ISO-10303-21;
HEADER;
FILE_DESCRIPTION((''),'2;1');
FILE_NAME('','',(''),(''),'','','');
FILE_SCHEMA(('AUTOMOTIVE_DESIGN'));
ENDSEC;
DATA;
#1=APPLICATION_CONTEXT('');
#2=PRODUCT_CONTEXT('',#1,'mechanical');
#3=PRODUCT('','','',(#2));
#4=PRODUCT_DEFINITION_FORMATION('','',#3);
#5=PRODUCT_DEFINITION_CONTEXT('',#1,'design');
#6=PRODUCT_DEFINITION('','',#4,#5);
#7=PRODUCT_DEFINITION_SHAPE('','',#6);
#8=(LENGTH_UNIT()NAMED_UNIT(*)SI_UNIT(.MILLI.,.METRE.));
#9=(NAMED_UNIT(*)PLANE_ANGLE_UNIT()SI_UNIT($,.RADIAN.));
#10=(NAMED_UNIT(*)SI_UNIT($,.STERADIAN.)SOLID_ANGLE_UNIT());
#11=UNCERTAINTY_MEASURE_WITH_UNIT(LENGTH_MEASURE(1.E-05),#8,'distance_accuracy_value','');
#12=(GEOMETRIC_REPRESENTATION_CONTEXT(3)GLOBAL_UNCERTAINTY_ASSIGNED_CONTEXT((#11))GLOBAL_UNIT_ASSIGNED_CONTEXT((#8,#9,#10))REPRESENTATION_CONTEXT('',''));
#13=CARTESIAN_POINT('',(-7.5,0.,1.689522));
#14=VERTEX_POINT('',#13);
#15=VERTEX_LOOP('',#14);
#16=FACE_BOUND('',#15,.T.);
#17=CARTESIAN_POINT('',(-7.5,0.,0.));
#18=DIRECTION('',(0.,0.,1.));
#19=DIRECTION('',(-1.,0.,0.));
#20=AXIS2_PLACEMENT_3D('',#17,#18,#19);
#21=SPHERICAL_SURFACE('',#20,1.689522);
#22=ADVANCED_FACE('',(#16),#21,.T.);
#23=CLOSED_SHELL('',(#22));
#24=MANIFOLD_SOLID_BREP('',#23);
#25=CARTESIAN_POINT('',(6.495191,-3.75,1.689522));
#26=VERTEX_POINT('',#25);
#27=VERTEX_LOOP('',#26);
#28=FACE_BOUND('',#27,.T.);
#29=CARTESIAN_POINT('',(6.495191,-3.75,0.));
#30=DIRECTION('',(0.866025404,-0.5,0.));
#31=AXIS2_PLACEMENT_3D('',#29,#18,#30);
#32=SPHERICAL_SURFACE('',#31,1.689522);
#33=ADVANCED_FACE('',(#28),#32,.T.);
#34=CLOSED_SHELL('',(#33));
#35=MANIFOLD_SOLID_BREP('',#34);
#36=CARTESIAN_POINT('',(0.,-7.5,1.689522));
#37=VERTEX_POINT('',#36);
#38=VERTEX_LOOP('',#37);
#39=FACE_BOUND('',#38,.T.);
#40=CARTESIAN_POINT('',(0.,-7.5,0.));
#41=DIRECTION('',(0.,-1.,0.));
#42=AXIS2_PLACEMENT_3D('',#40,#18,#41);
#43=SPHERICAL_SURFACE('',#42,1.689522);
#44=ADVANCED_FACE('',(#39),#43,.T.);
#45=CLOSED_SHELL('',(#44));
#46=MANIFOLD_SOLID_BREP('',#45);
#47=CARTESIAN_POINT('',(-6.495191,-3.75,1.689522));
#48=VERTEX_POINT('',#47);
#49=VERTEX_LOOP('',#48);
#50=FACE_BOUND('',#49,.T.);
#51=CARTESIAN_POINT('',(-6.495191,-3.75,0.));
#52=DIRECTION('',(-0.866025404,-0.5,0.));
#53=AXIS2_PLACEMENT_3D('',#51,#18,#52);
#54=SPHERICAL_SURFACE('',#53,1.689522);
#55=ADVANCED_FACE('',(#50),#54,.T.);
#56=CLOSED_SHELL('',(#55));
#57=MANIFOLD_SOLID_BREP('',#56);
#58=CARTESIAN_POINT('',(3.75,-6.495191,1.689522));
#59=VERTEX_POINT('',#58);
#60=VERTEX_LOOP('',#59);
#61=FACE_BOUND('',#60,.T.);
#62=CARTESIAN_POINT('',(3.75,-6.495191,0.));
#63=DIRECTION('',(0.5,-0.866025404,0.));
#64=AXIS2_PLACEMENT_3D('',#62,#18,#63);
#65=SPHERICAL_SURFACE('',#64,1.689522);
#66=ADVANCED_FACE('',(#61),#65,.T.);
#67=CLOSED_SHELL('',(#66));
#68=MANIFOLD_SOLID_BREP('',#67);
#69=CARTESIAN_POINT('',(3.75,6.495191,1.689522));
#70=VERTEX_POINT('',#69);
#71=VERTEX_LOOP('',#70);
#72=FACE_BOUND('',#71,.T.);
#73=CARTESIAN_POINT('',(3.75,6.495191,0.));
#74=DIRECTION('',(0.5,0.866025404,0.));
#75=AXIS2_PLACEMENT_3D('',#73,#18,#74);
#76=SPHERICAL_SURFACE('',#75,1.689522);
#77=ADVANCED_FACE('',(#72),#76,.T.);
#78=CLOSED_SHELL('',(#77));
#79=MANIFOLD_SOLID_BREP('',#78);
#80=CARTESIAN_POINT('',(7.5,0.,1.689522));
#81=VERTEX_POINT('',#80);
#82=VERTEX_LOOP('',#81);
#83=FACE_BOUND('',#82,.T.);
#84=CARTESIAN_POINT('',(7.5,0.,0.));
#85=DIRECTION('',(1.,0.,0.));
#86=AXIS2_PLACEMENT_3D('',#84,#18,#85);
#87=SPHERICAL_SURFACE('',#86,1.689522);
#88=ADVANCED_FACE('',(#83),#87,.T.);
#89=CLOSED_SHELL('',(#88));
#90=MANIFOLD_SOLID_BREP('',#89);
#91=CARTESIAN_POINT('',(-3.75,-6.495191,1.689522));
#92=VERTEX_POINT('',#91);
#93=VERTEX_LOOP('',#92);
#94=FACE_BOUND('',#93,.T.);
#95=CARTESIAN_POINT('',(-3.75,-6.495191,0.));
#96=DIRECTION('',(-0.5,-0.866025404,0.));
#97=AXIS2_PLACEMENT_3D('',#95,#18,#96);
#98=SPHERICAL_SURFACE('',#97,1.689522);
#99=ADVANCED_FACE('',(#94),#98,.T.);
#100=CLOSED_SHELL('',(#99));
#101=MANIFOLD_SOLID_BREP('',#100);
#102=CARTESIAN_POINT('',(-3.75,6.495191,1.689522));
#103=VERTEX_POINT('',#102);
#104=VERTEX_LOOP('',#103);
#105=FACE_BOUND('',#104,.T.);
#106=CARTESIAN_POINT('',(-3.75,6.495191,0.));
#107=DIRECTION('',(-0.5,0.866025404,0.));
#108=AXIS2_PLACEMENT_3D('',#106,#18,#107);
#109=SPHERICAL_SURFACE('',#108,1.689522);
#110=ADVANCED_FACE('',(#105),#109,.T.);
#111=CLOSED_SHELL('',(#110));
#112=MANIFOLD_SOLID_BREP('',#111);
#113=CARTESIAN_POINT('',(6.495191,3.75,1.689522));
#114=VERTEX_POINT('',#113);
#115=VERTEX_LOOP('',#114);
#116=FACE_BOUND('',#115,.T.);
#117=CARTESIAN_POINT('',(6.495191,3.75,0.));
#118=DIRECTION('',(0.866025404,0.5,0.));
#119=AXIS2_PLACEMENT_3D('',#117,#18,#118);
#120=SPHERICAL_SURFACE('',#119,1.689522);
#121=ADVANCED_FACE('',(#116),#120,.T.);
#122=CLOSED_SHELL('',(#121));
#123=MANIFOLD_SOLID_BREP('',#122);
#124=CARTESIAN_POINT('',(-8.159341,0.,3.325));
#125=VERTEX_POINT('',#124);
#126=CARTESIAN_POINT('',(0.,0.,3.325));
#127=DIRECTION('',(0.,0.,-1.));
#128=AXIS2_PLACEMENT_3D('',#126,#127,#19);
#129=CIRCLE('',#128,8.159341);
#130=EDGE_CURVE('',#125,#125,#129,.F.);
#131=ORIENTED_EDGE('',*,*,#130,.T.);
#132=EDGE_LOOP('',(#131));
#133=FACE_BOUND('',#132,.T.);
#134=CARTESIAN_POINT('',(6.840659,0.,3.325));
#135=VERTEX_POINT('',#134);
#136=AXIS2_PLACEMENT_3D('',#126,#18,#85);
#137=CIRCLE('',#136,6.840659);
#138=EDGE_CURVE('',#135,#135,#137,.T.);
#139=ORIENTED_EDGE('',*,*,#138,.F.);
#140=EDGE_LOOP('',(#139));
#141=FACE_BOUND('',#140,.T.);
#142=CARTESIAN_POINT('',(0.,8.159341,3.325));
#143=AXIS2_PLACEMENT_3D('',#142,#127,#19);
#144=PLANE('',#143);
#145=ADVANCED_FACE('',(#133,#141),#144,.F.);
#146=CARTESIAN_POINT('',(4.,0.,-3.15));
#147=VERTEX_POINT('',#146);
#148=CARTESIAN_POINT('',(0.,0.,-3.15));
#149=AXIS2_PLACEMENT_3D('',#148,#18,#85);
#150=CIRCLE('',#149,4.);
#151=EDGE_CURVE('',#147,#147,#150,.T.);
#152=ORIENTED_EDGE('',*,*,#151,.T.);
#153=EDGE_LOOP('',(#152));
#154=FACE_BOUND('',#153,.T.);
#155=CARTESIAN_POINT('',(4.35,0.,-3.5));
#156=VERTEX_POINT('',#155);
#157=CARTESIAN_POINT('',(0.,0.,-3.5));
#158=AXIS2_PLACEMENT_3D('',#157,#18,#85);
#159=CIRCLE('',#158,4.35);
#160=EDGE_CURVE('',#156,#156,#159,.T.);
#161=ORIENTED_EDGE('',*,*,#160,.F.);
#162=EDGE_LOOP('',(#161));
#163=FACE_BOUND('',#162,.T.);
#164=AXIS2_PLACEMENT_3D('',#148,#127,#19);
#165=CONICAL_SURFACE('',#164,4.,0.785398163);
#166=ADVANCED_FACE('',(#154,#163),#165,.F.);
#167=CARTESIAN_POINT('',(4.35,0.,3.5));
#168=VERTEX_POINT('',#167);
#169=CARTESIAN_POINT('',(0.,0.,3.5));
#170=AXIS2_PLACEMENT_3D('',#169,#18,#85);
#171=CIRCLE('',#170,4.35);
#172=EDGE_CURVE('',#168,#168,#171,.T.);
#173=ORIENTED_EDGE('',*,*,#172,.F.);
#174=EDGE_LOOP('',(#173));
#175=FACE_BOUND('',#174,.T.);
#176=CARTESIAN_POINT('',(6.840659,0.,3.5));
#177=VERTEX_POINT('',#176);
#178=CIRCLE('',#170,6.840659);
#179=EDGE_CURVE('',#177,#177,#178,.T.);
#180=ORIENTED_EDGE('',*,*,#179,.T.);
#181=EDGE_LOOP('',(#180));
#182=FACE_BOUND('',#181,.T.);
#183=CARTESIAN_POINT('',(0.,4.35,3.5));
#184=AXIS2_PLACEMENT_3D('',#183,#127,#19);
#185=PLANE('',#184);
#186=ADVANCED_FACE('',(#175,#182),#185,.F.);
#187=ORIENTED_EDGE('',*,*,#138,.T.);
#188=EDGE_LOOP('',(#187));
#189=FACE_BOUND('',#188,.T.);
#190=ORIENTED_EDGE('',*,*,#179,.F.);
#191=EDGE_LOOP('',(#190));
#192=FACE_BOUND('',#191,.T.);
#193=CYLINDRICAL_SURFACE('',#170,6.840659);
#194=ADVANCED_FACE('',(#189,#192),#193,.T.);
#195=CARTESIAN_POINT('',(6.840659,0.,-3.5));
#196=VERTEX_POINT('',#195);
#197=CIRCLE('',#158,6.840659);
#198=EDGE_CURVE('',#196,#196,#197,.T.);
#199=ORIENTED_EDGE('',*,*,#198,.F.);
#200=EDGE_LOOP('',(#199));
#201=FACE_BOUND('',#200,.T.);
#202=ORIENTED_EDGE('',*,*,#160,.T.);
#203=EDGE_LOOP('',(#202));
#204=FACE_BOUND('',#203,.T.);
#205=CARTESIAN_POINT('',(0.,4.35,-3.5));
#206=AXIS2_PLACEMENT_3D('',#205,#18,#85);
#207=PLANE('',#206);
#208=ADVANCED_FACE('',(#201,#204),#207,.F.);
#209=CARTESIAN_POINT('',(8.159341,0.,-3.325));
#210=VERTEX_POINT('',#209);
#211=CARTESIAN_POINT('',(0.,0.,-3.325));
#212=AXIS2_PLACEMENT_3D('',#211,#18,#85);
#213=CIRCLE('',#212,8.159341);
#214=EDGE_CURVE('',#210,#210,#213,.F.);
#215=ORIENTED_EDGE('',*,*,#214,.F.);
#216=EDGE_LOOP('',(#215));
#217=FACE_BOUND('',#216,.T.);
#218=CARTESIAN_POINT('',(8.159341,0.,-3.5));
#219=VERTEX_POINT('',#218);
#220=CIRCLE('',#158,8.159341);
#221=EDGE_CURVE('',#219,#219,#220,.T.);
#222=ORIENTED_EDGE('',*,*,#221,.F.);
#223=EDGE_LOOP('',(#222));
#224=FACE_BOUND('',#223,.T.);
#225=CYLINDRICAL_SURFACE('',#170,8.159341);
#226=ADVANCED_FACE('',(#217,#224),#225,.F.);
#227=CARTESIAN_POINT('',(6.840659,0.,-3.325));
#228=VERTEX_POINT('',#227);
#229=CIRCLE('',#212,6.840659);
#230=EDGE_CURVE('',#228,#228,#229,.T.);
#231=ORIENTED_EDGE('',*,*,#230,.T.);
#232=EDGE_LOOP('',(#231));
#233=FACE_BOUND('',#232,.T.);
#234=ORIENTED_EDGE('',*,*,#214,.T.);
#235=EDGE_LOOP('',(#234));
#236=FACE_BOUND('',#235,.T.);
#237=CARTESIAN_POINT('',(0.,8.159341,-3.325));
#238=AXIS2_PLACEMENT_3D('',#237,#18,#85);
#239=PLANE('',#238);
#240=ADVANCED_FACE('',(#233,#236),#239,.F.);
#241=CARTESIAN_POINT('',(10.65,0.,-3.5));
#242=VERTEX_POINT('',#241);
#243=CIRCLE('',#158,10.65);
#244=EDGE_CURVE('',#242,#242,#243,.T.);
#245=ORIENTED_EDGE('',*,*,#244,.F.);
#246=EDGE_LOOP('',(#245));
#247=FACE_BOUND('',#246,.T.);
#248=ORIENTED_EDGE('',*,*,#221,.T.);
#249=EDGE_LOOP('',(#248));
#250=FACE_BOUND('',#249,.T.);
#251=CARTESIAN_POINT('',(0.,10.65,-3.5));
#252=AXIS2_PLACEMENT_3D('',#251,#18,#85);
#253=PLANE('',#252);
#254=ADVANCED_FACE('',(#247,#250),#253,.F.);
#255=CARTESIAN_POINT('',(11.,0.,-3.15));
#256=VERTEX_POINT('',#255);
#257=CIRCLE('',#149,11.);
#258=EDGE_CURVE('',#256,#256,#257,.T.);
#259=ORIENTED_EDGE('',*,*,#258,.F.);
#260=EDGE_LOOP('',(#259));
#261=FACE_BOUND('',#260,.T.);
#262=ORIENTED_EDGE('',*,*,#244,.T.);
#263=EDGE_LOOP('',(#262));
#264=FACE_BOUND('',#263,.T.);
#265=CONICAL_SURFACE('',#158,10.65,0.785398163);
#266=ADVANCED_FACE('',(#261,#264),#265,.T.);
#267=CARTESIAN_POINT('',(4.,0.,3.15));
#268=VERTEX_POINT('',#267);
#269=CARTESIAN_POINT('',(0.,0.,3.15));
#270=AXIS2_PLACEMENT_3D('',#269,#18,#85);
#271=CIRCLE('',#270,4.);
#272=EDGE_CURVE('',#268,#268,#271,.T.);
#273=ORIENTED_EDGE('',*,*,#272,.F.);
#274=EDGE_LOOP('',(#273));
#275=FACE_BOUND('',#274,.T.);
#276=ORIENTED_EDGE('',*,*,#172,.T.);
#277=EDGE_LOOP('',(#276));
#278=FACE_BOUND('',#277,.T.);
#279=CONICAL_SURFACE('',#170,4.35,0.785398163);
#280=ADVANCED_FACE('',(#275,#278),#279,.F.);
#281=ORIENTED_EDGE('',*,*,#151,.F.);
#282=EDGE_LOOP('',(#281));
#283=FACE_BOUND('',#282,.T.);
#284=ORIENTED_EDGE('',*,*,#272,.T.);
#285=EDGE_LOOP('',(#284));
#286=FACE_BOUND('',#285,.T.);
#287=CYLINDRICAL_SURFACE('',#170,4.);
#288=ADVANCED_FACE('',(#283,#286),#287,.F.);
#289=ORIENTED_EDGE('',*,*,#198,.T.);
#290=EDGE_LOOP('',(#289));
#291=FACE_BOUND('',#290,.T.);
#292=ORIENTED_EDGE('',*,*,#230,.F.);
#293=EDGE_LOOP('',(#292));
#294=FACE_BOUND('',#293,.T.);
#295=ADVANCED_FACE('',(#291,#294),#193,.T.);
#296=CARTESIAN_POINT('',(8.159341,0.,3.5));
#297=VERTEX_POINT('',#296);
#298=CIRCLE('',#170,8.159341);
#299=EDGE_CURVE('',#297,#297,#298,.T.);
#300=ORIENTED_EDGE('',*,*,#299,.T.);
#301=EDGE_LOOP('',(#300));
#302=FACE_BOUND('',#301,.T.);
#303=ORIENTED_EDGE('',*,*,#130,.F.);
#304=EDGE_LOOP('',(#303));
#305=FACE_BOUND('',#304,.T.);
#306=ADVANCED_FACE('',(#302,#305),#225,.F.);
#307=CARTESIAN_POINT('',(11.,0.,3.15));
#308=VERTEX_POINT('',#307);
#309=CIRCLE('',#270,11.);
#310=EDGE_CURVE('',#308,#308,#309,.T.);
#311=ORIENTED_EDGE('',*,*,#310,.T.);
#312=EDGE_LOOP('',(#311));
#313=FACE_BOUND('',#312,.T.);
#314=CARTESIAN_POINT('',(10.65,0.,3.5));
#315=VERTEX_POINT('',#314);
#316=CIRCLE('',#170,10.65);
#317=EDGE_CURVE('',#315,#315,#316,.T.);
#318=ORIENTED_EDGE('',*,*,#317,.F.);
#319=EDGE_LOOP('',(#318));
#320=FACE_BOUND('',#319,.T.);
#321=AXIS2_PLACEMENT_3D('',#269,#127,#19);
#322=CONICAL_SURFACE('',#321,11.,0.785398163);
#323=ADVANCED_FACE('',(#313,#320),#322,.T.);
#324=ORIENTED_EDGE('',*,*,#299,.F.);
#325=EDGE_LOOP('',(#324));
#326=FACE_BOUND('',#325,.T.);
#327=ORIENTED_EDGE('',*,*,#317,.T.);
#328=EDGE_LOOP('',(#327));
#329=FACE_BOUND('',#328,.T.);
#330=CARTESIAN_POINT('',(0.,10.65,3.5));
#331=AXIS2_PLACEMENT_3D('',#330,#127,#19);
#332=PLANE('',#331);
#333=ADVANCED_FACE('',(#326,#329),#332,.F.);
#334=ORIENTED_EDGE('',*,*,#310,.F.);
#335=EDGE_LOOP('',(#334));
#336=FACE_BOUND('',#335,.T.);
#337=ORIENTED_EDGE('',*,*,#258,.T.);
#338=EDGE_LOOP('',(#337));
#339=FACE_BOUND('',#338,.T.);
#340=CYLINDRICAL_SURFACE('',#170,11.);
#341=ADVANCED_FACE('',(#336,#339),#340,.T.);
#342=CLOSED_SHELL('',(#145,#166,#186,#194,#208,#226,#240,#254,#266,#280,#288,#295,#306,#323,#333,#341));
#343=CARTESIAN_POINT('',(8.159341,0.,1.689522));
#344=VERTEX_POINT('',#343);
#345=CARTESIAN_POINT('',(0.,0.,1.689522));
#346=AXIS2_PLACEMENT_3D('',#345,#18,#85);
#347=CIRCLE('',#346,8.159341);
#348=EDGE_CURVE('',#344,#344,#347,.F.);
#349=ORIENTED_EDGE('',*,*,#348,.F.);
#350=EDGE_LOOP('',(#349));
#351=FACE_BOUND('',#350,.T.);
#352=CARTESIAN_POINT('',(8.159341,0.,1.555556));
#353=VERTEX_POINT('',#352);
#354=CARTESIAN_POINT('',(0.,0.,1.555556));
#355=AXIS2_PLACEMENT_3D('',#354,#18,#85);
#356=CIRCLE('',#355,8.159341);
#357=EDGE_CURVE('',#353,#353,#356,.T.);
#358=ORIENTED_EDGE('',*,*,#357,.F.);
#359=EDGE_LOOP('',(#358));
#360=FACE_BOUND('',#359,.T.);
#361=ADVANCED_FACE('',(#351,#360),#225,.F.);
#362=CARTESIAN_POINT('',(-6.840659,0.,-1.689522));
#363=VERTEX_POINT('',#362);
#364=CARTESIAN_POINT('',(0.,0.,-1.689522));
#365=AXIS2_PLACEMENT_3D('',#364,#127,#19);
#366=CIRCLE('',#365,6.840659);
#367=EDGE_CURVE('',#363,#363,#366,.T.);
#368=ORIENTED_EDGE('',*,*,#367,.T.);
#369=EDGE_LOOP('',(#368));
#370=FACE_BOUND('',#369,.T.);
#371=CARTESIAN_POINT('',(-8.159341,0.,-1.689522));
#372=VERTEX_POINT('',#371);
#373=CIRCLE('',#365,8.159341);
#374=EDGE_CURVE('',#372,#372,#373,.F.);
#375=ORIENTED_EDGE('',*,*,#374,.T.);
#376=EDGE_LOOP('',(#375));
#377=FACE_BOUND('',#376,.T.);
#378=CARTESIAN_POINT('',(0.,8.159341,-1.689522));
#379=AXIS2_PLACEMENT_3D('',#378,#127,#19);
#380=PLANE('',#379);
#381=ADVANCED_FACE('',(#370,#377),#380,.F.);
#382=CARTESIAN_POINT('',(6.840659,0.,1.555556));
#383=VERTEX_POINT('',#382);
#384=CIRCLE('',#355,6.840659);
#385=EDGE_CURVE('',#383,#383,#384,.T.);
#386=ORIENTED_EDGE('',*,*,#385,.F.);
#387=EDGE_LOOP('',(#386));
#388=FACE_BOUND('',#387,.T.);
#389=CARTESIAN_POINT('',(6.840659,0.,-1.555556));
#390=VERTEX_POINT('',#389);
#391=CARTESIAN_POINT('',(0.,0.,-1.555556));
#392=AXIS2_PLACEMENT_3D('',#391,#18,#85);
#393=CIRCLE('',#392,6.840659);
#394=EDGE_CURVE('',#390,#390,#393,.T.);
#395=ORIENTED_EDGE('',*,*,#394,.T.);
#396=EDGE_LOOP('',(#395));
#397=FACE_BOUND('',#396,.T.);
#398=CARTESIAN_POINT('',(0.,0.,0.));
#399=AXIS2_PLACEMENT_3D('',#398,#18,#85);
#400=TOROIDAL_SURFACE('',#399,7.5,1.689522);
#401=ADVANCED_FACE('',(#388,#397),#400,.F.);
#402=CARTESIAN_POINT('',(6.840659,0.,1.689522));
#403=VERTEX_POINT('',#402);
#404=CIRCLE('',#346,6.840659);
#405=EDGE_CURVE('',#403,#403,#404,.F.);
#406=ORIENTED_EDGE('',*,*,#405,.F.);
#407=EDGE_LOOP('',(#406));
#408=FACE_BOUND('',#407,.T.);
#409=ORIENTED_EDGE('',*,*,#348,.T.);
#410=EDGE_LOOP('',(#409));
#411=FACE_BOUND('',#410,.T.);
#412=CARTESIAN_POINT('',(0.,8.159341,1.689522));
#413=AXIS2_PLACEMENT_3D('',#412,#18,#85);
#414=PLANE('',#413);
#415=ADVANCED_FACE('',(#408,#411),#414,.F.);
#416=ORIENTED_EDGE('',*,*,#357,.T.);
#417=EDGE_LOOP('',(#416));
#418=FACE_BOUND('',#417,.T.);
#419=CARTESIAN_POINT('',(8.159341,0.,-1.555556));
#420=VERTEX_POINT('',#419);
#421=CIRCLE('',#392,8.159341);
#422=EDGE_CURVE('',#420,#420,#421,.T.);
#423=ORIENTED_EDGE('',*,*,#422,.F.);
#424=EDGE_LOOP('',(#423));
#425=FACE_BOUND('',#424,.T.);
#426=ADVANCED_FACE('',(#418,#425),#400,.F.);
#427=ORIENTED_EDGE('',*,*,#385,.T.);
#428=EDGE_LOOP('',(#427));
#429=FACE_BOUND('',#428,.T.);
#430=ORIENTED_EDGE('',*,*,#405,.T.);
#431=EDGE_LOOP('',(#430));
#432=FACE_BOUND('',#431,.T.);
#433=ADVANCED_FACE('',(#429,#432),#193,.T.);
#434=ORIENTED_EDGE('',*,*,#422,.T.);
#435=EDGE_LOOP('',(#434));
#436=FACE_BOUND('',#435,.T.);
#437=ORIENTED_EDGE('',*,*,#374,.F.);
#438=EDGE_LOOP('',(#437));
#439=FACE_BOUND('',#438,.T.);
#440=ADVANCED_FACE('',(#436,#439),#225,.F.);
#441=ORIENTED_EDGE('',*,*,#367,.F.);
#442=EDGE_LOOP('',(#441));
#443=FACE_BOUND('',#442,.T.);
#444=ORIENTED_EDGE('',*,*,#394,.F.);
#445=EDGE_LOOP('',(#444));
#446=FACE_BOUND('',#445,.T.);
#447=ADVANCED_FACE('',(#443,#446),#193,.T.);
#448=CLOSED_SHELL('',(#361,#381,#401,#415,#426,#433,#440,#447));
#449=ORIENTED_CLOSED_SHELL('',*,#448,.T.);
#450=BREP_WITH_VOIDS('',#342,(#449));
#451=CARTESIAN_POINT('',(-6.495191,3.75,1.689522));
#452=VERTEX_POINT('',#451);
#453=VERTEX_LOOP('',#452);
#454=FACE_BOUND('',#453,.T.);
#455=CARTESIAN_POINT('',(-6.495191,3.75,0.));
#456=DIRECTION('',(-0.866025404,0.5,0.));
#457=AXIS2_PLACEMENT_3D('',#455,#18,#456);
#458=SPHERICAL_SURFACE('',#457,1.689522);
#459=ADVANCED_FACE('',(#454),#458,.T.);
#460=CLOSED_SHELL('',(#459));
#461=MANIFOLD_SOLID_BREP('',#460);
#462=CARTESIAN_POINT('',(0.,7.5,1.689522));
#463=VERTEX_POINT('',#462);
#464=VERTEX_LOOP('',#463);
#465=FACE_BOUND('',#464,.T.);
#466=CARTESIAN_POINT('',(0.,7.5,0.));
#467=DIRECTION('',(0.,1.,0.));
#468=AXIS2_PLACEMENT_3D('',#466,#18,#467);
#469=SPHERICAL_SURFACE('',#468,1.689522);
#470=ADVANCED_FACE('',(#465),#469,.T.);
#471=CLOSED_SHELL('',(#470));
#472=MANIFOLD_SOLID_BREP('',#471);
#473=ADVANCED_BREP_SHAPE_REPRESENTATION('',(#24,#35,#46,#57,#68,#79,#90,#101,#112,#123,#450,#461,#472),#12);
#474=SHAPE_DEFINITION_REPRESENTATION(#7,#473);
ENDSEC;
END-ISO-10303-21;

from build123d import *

# Parameters (mm, degrees)
CIRPATTERN1_COUNT = 12
SKETCH5_W         = 1.635478413
SKETCH5_H         = 1.318681318


with BuildPart() as part:
    # Sketch6 → Revolve1 (revolve)
    with BuildSketch(Plane(origin=(0, 0, 0), x_dir=(0, 0, -1), z_dir=(1, 0, 0))):
        with BuildLine():
            Line((-3.5, 10.65), (-3.5, 8.159340659))
            Line((-3.5, 8.159340659), (-1.555555556, 8.159340659))
            ThreePointArc((-1.555555556, 8.159340659), (0, 9.189521587), (1.555555556, 8.159340659))
            Line((1.555555556, 8.159340659), (3.5, 8.159340659))
            Line((3.5, 8.159340659), (3.5, 10.65))
            Line((3.5, 10.65), (3.15, 11))
            Line((3.15, 11), (-3.15, 11))
            Line((-3.15, 11), (-3.5, 10.65))
        make_face()
        with BuildLine():
            Line((-3.5, 4.35), (-3.5, 6.840659341))
            Line((-3.5, 6.840659341), (-1.555555556, 6.840659341))
            ThreePointArc((-1.555555556, 6.840659341), (0, 5.810478413), (1.555555556, 6.840659341))
            Line((1.555555556, 6.840659341), (3.5, 6.840659341))
            Line((3.5, 6.840659341), (3.5, 4.35))
            Line((3.5, 4.35), (3.15, 4))
            Line((3.15, 4), (-3.15, 4))
            Line((-3.15, 4), (-3.5, 4.35))
        make_face()
    revolve(axis=Axis((0, 0, 3.5), (0, 0, -1)))



with BuildPart() as body_2:
    # Sketch4 → Revolve2 (revolve)
    with BuildSketch(Plane(origin=(0, 0, 0), x_dir=(0, 0, -1), z_dir=(1, 0, 0))):
        with BuildLine():
            Line((-1.689521587, 7.5), (1.689521587, 7.5))
            ThreePointArc((1.689521587, 7.5), (0, 9.189521587), (-1.689521587, 7.5))
        make_face()
    revolve(axis=Axis((0, 7.5, 1.689521587), (0, 0, -1)))


with BuildPart() as cirpattern1_1:
    # CirPattern1: pattern copy
    add(body_2.part.rotate(Axis((0, 0, 0), (0, 0, 1)), 1 * 360 / CIRPATTERN1_COUNT))


with BuildPart() as cirpattern1_2:
    # CirPattern1: pattern copy
    add(body_2.part.rotate(Axis((0, 0, 0), (0, 0, 1)), 2 * 360 / CIRPATTERN1_COUNT))


with BuildPart() as cirpattern1_3:
    # CirPattern1: pattern copy
    add(body_2.part.rotate(Axis((0, 0, 0), (0, 0, 1)), 3 * 360 / CIRPATTERN1_COUNT))


with BuildPart() as cirpattern1_4:
    # CirPattern1: pattern copy
    add(body_2.part.rotate(Axis((0, 0, 0), (0, 0, 1)), 4 * 360 / CIRPATTERN1_COUNT))


with BuildPart() as cirpattern1_5:
    # CirPattern1: pattern copy
    add(body_2.part.rotate(Axis((0, 0, 0), (0, 0, 1)), 5 * 360 / CIRPATTERN1_COUNT))


with BuildPart() as cirpattern1_6:
    # CirPattern1: pattern copy
    add(body_2.part.rotate(Axis((0, 0, 0), (0, 0, 1)), 6 * 360 / CIRPATTERN1_COUNT))


with BuildPart() as cirpattern1_7:
    # CirPattern1: pattern copy
    add(body_2.part.rotate(Axis((0, 0, 0), (0, 0, 1)), 7 * 360 / CIRPATTERN1_COUNT))


with BuildPart() as cirpattern1_8:
    # CirPattern1: pattern copy
    add(body_2.part.rotate(Axis((0, 0, 0), (0, 0, 1)), 8 * 360 / CIRPATTERN1_COUNT))


with BuildPart() as cirpattern1_9:
    # CirPattern1: pattern copy
    add(body_2.part.rotate(Axis((0, 0, 0), (0, 0, 1)), 9 * 360 / CIRPATTERN1_COUNT))


with BuildPart() as cirpattern1_10:
    # CirPattern1: pattern copy
    add(body_2.part.rotate(Axis((0, 0, 0), (0, 0, 1)), 10 * 360 / CIRPATTERN1_COUNT))


with BuildPart() as cirpattern1_11:
    # CirPattern1: pattern copy
    add(body_2.part.rotate(Axis((0, 0, 0), (0, 0, 1)), 11 * 360 / CIRPATTERN1_COUNT))


with BuildPart() as part_1:
    add(part.part)

    add(body_2.part)  # Revolve3 merges body 2

    add(cirpattern1_1.part)  # Revolve3 merges CirPattern1_1

    add(cirpattern1_2.part)  # Revolve3 merges CirPattern1_2

    add(cirpattern1_3.part)  # Revolve3 merges CirPattern1_3

    add(cirpattern1_4.part)  # Revolve3 merges CirPattern1_4

    add(cirpattern1_5.part)  # Revolve3 merges CirPattern1_5

    add(cirpattern1_6.part)  # Revolve3 merges CirPattern1_6

    add(cirpattern1_7.part)  # Revolve3 merges CirPattern1_7

    add(cirpattern1_8.part)  # Revolve3 merges CirPattern1_8

    add(cirpattern1_9.part)  # Revolve3 merges CirPattern1_9

    add(cirpattern1_10.part)  # Revolve3 merges CirPattern1_10

    add(cirpattern1_11.part)  # Revolve3 merges CirPattern1_11
    # Sketch5 → Revolve3 (revolve)
    with BuildSketch(Plane(origin=(0, 0, 0), x_dir=(0, 0, -1), z_dir=(1, 0, 0))):
        with Locations((-2.507260794, 7.5)):
            Rectangle(SKETCH5_W, SKETCH5_H)
        with Locations((2.507260794, 7.5)):
            Rectangle(SKETCH5_W, SKETCH5_H)
    revolve(axis=Axis((0, 0, 3.5), (0, 0, -1)))


solid = part_1.part
